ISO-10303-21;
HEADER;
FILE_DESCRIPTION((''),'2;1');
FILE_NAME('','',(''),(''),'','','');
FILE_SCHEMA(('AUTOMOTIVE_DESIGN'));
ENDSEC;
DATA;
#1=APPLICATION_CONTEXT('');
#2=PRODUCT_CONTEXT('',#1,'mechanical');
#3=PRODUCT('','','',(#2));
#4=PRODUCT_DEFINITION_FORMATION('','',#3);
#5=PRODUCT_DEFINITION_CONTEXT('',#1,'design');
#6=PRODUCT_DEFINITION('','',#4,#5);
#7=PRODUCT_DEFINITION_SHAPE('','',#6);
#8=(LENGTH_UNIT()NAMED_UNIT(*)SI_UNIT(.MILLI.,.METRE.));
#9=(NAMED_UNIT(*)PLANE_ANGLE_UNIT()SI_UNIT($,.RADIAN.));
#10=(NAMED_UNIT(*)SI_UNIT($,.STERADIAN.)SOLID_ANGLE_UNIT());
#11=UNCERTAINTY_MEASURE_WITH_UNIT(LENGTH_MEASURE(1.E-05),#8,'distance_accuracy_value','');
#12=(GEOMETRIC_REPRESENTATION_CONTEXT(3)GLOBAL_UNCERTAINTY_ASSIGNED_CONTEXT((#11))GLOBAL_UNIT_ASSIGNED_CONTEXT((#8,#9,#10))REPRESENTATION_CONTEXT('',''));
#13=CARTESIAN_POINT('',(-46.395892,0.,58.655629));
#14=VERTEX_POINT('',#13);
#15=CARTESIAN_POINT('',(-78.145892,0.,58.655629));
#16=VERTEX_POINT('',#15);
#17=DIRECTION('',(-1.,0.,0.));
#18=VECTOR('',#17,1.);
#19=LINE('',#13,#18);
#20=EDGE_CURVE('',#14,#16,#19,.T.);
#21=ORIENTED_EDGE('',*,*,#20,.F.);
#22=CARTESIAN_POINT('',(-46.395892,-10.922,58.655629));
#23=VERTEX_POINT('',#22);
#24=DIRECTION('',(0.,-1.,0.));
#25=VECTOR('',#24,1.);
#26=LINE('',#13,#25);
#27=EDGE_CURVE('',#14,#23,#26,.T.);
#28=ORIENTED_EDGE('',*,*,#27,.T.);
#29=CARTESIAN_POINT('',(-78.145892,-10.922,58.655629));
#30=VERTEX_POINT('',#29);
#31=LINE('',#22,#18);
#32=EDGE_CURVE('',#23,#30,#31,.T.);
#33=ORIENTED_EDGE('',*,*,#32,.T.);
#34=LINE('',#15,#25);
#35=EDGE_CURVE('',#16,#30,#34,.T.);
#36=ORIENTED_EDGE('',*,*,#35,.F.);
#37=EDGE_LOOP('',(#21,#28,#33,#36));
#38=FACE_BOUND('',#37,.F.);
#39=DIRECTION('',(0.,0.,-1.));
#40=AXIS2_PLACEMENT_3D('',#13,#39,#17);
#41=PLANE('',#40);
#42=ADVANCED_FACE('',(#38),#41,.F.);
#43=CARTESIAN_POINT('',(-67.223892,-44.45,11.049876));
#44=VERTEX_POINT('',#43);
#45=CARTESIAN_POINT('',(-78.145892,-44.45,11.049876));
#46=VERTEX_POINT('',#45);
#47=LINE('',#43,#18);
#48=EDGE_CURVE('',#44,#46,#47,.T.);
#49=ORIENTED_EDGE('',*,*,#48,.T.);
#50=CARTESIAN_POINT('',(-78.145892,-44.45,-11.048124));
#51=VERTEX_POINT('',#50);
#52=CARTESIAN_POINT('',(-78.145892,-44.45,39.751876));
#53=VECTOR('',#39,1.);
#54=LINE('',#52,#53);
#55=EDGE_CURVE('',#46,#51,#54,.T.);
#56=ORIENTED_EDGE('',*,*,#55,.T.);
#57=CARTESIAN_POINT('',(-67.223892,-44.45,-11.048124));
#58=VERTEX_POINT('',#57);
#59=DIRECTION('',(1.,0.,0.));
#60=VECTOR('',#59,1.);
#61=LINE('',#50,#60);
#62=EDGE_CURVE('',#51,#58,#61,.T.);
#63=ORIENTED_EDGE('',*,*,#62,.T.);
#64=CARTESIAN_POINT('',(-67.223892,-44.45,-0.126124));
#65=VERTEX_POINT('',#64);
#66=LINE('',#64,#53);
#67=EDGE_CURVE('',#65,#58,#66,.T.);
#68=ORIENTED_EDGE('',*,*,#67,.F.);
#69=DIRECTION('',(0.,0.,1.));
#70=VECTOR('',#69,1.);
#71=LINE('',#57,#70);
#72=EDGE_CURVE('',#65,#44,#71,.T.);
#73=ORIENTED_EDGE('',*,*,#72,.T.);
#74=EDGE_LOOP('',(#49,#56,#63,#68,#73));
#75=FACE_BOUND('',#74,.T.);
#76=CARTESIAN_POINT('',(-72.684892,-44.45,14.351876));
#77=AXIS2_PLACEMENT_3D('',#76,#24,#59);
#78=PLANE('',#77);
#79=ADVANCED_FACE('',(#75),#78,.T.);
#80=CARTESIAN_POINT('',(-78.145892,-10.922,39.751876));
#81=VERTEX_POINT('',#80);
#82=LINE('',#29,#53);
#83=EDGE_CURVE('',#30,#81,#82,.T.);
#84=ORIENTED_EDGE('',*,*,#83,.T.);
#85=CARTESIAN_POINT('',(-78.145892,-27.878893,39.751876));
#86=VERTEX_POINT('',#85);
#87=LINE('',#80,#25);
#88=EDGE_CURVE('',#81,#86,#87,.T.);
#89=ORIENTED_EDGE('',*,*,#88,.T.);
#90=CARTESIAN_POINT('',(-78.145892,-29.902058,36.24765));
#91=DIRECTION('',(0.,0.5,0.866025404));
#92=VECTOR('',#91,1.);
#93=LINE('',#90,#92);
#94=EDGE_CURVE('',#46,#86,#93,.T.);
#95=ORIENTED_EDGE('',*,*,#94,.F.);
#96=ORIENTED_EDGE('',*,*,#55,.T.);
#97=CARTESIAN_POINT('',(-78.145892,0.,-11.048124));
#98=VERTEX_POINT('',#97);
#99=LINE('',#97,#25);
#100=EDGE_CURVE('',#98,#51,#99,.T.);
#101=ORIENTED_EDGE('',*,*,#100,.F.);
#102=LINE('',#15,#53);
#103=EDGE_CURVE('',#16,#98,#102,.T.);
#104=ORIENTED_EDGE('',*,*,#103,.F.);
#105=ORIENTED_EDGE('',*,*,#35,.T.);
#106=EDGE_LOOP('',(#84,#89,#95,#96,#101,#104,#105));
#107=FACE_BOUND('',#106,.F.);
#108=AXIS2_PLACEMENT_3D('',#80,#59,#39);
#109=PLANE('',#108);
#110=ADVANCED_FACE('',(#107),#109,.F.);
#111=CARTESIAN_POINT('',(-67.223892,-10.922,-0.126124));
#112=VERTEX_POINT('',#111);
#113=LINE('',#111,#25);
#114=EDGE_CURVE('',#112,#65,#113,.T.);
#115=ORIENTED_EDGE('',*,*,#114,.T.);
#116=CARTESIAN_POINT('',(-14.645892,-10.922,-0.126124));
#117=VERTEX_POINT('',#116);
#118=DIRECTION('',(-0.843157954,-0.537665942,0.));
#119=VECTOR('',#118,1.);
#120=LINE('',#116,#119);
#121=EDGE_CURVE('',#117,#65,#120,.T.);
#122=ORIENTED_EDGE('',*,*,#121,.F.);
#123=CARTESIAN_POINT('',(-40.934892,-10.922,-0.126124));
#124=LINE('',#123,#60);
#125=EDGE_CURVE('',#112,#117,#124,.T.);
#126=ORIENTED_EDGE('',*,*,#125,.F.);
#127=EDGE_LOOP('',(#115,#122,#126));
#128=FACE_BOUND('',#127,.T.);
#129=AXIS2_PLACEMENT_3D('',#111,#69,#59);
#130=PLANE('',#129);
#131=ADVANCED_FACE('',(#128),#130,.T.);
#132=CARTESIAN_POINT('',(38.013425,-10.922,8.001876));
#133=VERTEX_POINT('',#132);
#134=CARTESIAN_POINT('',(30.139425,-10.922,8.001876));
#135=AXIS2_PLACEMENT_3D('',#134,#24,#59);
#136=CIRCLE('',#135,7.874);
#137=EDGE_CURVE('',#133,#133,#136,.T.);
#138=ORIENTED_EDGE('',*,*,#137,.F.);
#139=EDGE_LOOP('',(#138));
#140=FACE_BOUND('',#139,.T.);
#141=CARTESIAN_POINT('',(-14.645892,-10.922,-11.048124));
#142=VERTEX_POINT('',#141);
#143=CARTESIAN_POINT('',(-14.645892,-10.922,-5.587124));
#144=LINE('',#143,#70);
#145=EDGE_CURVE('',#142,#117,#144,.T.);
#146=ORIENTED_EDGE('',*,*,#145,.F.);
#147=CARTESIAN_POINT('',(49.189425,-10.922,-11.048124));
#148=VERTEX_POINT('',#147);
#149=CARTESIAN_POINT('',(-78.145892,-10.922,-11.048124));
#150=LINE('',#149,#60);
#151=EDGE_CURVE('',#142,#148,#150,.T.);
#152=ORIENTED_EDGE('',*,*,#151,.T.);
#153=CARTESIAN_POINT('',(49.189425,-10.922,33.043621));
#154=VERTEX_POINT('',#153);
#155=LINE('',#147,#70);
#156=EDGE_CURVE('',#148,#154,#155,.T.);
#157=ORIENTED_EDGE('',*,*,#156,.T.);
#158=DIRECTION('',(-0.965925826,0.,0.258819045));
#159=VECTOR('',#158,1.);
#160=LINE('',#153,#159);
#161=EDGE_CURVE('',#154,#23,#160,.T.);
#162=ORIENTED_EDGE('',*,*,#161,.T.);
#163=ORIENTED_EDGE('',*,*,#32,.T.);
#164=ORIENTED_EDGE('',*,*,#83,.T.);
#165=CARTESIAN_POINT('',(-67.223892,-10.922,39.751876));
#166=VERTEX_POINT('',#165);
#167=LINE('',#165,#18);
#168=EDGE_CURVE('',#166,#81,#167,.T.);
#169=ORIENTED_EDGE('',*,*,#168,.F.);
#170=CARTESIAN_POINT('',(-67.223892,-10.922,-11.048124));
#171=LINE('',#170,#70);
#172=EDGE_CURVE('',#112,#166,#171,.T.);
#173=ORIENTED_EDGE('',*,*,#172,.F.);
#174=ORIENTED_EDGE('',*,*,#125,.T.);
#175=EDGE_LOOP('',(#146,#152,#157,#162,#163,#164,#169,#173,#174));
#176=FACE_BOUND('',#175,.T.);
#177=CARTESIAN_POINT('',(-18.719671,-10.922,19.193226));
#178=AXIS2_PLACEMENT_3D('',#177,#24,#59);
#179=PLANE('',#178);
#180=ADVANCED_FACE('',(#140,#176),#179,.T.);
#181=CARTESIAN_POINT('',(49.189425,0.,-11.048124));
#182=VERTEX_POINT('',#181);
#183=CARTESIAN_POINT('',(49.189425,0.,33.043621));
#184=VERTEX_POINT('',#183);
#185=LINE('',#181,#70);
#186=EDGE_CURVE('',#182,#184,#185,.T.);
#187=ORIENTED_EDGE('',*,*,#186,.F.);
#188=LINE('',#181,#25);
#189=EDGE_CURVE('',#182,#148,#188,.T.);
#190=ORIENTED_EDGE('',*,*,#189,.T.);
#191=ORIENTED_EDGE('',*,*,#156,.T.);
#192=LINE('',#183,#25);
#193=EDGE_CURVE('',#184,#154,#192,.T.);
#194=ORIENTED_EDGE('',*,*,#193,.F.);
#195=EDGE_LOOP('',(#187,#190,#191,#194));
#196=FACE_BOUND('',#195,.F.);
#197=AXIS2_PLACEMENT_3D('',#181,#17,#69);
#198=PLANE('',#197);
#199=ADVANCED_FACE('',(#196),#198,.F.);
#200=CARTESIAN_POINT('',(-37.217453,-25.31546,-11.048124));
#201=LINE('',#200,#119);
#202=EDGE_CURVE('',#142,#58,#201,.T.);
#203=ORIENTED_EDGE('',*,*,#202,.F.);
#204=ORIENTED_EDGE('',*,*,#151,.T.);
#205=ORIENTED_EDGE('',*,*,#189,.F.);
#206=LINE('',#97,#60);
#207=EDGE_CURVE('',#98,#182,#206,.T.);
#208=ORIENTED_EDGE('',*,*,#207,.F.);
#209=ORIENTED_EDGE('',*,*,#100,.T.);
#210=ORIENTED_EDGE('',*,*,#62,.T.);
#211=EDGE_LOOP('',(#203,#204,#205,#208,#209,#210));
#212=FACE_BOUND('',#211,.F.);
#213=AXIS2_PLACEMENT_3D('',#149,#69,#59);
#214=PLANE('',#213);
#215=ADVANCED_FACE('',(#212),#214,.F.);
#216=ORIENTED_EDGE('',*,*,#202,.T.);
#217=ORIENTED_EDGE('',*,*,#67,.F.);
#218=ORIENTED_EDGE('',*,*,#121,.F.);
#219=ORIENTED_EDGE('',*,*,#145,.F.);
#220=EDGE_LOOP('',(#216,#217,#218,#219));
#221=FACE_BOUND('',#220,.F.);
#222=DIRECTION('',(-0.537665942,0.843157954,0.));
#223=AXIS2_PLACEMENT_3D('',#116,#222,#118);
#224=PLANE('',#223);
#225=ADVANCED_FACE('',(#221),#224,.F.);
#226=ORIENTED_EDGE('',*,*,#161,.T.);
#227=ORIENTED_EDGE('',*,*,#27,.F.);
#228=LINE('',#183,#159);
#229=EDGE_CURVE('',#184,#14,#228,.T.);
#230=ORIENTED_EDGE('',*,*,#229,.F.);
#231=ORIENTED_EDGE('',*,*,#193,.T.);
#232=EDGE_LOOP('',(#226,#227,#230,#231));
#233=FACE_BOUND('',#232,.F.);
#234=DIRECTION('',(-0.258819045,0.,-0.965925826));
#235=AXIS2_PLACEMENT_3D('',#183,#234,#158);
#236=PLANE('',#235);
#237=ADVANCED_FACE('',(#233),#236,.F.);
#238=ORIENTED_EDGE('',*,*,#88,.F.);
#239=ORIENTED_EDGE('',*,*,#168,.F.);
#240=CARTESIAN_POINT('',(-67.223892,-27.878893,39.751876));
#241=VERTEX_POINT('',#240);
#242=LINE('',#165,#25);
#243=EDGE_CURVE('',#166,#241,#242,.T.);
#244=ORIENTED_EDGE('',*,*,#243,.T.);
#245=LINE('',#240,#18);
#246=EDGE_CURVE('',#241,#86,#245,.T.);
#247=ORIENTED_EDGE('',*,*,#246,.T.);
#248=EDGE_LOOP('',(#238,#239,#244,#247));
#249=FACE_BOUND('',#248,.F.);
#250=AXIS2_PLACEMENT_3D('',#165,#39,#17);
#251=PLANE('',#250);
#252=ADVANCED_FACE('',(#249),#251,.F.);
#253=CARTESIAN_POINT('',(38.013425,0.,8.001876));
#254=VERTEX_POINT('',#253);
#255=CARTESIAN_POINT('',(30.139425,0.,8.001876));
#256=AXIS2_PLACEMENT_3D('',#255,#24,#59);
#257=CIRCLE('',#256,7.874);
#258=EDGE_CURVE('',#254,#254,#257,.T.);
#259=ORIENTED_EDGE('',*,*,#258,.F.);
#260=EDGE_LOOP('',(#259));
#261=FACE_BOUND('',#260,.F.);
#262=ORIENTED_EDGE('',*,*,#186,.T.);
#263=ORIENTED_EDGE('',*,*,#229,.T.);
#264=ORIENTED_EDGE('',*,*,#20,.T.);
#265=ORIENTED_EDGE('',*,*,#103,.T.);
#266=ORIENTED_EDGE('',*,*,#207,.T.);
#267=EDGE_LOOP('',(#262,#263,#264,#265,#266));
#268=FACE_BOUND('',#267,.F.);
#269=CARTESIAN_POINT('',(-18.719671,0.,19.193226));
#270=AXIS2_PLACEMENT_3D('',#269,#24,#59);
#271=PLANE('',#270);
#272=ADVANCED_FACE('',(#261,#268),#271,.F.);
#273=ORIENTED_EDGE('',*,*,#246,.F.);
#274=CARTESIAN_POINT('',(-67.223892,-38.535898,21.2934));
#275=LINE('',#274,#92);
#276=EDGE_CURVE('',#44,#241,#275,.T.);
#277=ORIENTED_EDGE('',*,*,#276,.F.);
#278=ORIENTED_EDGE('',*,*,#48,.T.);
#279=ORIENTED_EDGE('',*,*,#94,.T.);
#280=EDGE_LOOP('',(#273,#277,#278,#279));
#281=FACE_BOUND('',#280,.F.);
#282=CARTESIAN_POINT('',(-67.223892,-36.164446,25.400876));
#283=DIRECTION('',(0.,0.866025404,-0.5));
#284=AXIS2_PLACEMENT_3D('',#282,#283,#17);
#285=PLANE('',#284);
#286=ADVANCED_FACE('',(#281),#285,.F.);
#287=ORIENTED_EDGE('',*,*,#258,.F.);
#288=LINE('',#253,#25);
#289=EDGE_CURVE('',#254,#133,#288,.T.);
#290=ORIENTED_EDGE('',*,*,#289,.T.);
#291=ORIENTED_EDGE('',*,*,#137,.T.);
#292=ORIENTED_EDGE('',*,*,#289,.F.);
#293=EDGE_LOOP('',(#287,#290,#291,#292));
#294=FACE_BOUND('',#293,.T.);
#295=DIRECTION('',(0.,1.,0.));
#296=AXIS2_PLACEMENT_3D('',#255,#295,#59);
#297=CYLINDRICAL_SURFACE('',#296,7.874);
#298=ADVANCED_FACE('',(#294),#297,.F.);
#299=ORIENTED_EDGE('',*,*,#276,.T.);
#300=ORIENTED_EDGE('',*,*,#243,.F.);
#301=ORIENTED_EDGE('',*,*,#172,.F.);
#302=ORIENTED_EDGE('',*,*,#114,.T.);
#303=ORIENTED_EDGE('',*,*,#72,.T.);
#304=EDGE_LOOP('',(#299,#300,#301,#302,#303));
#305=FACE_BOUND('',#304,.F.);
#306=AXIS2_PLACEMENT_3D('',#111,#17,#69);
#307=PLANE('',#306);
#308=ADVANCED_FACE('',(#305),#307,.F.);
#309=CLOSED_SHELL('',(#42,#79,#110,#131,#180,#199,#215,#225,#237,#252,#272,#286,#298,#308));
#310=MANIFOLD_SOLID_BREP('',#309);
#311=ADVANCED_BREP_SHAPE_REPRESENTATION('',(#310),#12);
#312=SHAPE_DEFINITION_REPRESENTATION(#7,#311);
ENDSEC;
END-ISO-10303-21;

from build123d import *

# Parameters (mm, degrees)
F0_R     = 7.874
F1_DEPTH = 10.922
F2_W     = 52.578
F2_H     = 10.922
F3_DEPTH = 33.528
F4_SIZE2 = 16.5711074263
F4_SIZE  = 28.702
F6_DEPTH = 10.923


with BuildPart() as f1:
    # F0 (on Front) → F1 (new body)
    with BuildSketch(Plane.XZ):
        Polygon((-46.3958915723, 58.6556293481), (-78.1458915723, 58.6556293481), (-78.1458915723, -11.0481244944), (49.1894248783, -11.0481244944), (49.1894248783, 33.0436209969), align=None)
        with Locations((30.1394248783, 8.0018755056)):
            Circle(F0_R, mode=Mode.SUBTRACT)
    extrude(amount=F1_DEPTH)

    # F2 (on face) → F3 (join)
    with BuildSketch(Plane.XZ.offset(10.922)):
        Polygon((-67.2238915723, 39.7518755056), (-78.1458915723, 39.7518755056), (-78.1458915723, -11.0481244944), (-67.2238915723, -11.0481244944), (-67.2238915723, -0.1261244944), align=None)
        with Locations((-40.9348915723, -5.5871244944)):
            Rectangle(F2_W, F2_H)
    extrude(amount=F3_DEPTH)

    # F4
    f4_edges = [f1.edges().sort_by_distance(p)[0] for p in [
        (-72.684892, -44.45, 39.751876),
    ]]
    f4_side = f1.faces().sort_by_distance((-68.037088, -44.45, 19.812876))[0]
    chamfer(f4_edges, length=F4_SIZE, length2=F4_SIZE2, reference=f4_side)

    # F5 (on face) → F6 (cut, through all)
    with BuildSketch(Plane.XY.offset(-0.1261244944)):
        Polygon((-14.6458915723, -10.922), (-67.2238915723, -44.45), (-14.6458915723, -44.45), align=None)
    extrude(amount=-F6_DEPTH, mode=Mode.SUBTRACT)


solid = f1.part
